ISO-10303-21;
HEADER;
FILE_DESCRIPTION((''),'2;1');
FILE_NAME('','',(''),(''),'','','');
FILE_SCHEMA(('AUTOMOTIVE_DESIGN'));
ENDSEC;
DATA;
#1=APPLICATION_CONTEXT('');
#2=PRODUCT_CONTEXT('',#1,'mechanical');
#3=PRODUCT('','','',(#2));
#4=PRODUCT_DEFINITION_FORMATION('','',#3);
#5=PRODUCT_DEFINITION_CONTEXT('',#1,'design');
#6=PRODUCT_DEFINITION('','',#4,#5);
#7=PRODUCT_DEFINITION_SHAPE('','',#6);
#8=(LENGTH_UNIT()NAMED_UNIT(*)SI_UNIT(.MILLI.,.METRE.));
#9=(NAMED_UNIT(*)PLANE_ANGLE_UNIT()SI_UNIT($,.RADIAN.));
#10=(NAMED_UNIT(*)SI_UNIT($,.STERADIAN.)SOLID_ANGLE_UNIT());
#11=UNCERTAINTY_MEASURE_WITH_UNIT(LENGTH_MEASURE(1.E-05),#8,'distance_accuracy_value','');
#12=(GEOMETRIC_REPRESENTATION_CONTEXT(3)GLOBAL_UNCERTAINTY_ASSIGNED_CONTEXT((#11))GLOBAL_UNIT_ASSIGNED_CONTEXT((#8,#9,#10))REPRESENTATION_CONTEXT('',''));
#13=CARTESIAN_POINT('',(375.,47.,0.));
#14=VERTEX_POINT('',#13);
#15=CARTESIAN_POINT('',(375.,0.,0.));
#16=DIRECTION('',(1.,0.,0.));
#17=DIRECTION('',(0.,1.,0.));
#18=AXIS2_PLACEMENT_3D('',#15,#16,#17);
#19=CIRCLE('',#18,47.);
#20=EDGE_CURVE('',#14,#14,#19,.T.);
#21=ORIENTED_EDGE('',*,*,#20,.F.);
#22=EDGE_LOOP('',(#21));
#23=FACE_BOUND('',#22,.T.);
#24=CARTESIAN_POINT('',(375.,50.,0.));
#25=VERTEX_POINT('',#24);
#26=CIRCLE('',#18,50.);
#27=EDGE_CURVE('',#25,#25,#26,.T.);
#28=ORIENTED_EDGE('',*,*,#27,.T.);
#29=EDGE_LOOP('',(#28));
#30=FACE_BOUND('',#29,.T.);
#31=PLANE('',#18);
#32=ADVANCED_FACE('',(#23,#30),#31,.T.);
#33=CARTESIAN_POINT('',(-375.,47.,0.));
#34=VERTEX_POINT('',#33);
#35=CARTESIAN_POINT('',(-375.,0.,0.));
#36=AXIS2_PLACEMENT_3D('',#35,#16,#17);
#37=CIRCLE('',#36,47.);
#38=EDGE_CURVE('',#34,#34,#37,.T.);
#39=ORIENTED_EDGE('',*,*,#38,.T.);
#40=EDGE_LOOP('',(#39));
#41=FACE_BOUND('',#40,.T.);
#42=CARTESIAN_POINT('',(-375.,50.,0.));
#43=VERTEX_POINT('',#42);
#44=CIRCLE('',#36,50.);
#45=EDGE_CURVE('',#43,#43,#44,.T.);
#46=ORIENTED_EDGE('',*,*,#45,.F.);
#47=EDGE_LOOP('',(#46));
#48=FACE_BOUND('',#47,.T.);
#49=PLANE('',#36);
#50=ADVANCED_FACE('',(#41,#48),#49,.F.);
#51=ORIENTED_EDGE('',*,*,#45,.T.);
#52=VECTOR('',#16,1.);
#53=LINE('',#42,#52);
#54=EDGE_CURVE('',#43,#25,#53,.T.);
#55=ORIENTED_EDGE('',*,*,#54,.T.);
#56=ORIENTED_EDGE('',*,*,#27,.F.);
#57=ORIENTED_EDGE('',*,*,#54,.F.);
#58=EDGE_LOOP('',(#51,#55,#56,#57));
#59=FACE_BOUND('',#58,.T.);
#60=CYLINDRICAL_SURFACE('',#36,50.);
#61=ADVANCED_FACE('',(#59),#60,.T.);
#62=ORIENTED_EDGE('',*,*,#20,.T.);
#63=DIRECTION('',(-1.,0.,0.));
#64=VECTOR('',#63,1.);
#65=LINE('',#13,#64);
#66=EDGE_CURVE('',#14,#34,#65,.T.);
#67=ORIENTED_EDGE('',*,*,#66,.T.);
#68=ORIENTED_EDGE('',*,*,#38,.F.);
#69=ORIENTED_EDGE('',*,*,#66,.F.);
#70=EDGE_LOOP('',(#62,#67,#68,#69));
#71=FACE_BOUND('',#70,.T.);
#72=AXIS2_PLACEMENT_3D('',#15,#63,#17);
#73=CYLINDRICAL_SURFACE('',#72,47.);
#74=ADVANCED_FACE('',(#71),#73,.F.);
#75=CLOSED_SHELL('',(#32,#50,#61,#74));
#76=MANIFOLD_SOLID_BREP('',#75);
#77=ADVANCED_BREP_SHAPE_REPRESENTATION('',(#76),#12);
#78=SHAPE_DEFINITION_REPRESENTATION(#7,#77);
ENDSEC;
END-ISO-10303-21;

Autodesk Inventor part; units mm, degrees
ref_plane "YZ Plane" through (0, 0, 0) normal (1, 0, 0) x (0, 1, 0)
ref_plane "XZ Plane" through (0, 0, 0) normal (0, 1, 0) x (-1, 0, 0)
ref_plane "XY Plane" through (0, 0, 0) normal (0, 0, 1) x (1, 0, 0)
sketch "Esboço1" plane through (0, 0, 0) normal (0, 0, 1) x (1, 0, 0)
  line L0 (-375, 50) -> (375, 50)
  line L1 (375, 50) -> (375, 47)
  line L2 (375, 47) -> (-375, 47)
  line L3 (-375, 47) -> (-375, 50)
  line L4 (-375, 50) -> (375, 47) construction
  line L5 (375, 50) -> (-375, 47) construction
  line L6 (38, 2) -> (157.733, 10)
  line L7 (-525, 0) -> (525, 0) projected
  point P0 (0, 0)
  point P1 (0, 48.5)
  dimension "d0" = 750
  dimension "d1" = 50
  dimension "d2" = 3
  dimension "d3" = 120
revolve "Revolução1" add sketch "Esboço1" angle 360 about axis through (-10, 0, 0) along (1, 0, 0)
